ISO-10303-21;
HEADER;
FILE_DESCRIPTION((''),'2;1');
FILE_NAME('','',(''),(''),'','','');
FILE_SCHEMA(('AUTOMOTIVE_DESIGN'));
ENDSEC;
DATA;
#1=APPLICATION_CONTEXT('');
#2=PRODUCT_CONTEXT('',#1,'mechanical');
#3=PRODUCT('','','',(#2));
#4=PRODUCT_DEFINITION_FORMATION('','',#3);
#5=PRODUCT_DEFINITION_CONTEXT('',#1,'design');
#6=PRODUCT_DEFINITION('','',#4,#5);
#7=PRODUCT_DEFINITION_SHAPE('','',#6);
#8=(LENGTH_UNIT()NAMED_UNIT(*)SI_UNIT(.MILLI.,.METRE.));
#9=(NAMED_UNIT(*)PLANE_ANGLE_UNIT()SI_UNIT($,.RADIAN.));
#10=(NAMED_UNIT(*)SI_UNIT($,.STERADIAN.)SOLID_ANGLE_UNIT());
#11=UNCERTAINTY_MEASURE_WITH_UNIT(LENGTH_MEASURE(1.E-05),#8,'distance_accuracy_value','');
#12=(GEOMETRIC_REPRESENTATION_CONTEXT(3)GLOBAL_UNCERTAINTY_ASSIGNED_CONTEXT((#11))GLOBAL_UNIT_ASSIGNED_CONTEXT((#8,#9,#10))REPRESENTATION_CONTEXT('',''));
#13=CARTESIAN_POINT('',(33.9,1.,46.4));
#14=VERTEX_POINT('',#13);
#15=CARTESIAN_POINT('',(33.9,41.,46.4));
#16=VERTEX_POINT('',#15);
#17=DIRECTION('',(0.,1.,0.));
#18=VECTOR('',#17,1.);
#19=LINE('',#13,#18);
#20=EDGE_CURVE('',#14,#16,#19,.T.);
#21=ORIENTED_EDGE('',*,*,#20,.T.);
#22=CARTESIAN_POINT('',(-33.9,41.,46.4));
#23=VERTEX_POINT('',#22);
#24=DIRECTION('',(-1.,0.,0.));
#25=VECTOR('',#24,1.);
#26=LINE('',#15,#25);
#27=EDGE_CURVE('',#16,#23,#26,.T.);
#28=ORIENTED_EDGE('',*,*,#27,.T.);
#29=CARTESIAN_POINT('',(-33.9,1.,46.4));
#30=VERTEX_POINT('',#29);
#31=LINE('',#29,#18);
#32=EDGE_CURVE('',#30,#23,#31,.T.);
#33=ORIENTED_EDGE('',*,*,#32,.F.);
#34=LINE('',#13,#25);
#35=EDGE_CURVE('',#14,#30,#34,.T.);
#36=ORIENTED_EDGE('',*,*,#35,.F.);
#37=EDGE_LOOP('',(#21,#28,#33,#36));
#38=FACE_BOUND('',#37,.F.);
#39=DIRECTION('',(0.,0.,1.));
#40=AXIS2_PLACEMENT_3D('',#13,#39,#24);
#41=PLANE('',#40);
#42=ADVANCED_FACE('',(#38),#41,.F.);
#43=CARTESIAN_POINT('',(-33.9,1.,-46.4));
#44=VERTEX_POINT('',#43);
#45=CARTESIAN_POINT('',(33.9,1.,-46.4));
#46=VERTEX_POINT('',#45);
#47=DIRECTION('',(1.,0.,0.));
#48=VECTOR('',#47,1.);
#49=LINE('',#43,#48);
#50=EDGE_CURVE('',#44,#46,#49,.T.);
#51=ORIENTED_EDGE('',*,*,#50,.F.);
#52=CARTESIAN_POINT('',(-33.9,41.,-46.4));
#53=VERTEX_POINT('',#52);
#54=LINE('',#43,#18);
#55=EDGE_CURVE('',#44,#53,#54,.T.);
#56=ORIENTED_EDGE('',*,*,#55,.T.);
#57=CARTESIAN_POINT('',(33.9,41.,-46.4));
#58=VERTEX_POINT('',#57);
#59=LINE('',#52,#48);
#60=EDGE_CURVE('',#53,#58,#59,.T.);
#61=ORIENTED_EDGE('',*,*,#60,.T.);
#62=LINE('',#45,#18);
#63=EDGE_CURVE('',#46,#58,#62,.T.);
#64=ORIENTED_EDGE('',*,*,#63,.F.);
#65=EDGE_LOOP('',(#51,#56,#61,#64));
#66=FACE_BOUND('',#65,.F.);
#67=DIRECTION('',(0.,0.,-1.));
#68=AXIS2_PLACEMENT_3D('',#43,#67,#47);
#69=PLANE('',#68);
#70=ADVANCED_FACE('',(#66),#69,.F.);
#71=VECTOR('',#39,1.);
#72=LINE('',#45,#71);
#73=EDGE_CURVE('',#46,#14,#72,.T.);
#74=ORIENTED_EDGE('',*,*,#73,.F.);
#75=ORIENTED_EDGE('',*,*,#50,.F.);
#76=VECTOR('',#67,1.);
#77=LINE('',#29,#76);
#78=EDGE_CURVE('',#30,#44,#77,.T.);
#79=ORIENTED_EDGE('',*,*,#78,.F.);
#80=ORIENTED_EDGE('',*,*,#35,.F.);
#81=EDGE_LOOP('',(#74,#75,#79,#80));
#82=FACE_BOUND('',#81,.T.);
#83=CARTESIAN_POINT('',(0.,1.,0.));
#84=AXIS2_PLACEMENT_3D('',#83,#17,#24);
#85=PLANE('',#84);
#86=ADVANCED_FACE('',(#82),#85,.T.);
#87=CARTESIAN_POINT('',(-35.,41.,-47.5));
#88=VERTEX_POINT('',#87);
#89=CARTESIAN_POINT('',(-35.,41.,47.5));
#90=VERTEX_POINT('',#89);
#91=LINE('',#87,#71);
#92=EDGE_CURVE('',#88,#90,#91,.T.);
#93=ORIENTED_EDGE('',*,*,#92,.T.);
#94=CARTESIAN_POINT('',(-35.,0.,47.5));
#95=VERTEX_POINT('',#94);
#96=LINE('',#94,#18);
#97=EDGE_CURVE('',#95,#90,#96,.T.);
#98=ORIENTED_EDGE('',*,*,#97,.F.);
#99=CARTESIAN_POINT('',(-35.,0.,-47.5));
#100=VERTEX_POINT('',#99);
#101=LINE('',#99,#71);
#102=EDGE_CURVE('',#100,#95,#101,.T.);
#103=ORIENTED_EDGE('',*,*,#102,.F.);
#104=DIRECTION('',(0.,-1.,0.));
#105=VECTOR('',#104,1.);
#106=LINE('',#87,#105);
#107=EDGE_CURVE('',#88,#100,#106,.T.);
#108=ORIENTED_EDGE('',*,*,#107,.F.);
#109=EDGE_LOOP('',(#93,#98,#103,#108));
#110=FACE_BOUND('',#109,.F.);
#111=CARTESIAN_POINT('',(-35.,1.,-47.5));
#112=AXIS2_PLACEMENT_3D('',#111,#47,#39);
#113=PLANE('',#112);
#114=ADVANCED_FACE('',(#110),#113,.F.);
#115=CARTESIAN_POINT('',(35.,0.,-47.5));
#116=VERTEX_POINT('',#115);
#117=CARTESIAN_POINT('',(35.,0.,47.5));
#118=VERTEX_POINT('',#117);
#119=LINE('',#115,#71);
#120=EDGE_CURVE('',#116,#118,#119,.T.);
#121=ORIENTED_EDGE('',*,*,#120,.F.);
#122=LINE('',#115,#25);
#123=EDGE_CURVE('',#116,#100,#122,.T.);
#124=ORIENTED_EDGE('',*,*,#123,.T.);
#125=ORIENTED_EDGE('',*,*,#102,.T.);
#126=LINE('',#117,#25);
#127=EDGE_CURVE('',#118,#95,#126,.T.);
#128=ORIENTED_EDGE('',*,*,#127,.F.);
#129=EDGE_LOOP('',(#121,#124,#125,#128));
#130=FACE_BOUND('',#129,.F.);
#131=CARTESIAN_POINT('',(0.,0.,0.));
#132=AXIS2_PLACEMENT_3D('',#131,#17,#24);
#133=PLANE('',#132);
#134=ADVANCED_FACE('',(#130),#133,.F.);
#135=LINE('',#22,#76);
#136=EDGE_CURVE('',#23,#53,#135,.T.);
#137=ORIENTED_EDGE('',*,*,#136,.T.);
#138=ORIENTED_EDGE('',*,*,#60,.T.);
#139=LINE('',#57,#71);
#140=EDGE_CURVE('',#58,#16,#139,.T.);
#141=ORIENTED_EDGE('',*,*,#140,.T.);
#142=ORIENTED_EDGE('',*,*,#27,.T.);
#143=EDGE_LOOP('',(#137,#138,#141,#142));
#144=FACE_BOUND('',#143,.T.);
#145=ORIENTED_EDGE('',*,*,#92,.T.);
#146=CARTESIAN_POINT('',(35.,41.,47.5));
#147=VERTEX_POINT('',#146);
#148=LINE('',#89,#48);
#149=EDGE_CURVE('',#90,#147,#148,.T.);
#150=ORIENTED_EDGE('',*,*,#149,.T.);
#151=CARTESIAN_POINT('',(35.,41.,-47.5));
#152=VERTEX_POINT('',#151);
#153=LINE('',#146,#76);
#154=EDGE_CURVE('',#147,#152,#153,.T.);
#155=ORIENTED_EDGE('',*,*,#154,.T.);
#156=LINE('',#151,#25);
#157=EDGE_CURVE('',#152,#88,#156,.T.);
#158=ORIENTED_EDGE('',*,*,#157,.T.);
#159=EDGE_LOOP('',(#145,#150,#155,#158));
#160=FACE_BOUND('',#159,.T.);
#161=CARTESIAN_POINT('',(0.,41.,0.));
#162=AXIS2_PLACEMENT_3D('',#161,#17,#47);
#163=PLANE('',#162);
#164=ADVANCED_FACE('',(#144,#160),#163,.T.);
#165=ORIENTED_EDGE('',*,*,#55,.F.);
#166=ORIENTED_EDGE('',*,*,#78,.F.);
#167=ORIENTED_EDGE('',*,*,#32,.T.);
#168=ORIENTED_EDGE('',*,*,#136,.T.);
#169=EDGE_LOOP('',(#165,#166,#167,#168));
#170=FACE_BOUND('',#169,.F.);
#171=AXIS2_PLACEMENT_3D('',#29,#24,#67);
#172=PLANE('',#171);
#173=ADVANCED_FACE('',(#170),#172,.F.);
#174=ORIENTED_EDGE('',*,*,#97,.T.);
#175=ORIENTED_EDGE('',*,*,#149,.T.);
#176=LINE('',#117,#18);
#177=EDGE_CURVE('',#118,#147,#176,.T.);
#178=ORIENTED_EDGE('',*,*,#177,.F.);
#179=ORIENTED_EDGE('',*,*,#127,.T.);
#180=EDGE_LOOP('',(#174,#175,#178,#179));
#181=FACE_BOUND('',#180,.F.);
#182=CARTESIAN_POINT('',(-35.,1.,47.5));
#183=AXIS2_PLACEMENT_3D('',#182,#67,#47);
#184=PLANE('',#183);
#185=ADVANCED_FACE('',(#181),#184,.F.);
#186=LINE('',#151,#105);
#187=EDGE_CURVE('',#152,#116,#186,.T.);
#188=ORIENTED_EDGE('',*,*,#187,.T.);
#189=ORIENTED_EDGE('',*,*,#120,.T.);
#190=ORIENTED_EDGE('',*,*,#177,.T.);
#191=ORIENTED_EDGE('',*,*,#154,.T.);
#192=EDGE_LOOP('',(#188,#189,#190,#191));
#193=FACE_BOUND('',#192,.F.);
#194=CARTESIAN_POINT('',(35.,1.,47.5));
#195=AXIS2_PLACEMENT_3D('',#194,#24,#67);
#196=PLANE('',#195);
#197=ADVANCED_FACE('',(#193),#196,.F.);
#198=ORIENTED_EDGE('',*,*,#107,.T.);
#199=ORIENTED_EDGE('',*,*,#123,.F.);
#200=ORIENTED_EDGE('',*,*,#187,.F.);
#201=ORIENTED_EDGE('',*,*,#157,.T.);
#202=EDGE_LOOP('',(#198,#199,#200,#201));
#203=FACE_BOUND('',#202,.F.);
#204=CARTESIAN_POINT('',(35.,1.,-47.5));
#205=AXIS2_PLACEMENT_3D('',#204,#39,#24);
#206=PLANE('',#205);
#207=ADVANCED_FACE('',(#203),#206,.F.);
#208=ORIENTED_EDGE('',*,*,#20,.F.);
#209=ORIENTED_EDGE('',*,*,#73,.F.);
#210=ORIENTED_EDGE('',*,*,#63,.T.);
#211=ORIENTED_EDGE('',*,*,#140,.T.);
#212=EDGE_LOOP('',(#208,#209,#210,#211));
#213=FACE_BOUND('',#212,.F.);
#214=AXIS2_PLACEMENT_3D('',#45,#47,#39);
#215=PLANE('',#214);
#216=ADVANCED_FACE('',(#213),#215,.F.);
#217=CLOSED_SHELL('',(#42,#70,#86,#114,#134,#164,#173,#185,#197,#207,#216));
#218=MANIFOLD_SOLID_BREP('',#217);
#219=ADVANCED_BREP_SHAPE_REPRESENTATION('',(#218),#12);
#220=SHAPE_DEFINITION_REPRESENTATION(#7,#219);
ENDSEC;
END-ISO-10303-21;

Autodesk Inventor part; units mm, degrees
ref_plane "YZ Plane" through (0, 0, 0) normal (1, 0, 0) x (0, 1, 0)
ref_plane "XZ Plane" through (0, 0, 0) normal (0, 1, 0) x (-1, 0, 0)
ref_plane "XY Plane" through (0, 0, 0) normal (0, 0, 1) x (1, 0, 0)
sketch "Skizze1" plane through (0, 0, 0) normal (0, 1, 0) x (-1, 0, 0)
  line L0 (49, 0) -> (-49, 0) projected
  line L1 (0, -66.5) -> (0, 66.5) projected
  line L2 (-35, 47.5) -> (35, 47.5)
  line L3 (35, 47.5) -> (35, -47.5)
  line L4 (35, -47.5) -> (-35, -47.5)
  line L5 (-35, -47.5) -> (-35, 47.5)
  point P0 (0, 0)
  dimension "d0" = 70
  dimension "d1" = 95
extrude "Extrusion1" add sketch "Skizze1" along normal blind 1
sketch "Skizze2" plane through (0, 1, 0) normal (0, 1, 0) x (1, 0, 0)
  line L0 (-35, -47.5) -> (35, -47.5) projected
  line L1 (35, -47.5) -> (35, 47.5) projected
  line L2 (35, 47.5) -> (-35, 47.5) projected
  line L3 (-35, 47.5) -> (-35, -47.5) projected
  line L4 (-33.9, 46.4) -> (33.9, 46.4)
  line L5 (33.9, 46.4) -> (33.9, -46.4)
  line L6 (33.9, -46.4) -> (-33.9, -46.4)
  line L7 (-33.9, -46.4) -> (-33.9, 46.4)
  point P0 (0, 0)
  dimension "d4" = 1.1
extrude "Extrusion2" add sketch "Skizze2" along normal blind 40
properties part number "Boden" material "ABS-Kunststoff"
